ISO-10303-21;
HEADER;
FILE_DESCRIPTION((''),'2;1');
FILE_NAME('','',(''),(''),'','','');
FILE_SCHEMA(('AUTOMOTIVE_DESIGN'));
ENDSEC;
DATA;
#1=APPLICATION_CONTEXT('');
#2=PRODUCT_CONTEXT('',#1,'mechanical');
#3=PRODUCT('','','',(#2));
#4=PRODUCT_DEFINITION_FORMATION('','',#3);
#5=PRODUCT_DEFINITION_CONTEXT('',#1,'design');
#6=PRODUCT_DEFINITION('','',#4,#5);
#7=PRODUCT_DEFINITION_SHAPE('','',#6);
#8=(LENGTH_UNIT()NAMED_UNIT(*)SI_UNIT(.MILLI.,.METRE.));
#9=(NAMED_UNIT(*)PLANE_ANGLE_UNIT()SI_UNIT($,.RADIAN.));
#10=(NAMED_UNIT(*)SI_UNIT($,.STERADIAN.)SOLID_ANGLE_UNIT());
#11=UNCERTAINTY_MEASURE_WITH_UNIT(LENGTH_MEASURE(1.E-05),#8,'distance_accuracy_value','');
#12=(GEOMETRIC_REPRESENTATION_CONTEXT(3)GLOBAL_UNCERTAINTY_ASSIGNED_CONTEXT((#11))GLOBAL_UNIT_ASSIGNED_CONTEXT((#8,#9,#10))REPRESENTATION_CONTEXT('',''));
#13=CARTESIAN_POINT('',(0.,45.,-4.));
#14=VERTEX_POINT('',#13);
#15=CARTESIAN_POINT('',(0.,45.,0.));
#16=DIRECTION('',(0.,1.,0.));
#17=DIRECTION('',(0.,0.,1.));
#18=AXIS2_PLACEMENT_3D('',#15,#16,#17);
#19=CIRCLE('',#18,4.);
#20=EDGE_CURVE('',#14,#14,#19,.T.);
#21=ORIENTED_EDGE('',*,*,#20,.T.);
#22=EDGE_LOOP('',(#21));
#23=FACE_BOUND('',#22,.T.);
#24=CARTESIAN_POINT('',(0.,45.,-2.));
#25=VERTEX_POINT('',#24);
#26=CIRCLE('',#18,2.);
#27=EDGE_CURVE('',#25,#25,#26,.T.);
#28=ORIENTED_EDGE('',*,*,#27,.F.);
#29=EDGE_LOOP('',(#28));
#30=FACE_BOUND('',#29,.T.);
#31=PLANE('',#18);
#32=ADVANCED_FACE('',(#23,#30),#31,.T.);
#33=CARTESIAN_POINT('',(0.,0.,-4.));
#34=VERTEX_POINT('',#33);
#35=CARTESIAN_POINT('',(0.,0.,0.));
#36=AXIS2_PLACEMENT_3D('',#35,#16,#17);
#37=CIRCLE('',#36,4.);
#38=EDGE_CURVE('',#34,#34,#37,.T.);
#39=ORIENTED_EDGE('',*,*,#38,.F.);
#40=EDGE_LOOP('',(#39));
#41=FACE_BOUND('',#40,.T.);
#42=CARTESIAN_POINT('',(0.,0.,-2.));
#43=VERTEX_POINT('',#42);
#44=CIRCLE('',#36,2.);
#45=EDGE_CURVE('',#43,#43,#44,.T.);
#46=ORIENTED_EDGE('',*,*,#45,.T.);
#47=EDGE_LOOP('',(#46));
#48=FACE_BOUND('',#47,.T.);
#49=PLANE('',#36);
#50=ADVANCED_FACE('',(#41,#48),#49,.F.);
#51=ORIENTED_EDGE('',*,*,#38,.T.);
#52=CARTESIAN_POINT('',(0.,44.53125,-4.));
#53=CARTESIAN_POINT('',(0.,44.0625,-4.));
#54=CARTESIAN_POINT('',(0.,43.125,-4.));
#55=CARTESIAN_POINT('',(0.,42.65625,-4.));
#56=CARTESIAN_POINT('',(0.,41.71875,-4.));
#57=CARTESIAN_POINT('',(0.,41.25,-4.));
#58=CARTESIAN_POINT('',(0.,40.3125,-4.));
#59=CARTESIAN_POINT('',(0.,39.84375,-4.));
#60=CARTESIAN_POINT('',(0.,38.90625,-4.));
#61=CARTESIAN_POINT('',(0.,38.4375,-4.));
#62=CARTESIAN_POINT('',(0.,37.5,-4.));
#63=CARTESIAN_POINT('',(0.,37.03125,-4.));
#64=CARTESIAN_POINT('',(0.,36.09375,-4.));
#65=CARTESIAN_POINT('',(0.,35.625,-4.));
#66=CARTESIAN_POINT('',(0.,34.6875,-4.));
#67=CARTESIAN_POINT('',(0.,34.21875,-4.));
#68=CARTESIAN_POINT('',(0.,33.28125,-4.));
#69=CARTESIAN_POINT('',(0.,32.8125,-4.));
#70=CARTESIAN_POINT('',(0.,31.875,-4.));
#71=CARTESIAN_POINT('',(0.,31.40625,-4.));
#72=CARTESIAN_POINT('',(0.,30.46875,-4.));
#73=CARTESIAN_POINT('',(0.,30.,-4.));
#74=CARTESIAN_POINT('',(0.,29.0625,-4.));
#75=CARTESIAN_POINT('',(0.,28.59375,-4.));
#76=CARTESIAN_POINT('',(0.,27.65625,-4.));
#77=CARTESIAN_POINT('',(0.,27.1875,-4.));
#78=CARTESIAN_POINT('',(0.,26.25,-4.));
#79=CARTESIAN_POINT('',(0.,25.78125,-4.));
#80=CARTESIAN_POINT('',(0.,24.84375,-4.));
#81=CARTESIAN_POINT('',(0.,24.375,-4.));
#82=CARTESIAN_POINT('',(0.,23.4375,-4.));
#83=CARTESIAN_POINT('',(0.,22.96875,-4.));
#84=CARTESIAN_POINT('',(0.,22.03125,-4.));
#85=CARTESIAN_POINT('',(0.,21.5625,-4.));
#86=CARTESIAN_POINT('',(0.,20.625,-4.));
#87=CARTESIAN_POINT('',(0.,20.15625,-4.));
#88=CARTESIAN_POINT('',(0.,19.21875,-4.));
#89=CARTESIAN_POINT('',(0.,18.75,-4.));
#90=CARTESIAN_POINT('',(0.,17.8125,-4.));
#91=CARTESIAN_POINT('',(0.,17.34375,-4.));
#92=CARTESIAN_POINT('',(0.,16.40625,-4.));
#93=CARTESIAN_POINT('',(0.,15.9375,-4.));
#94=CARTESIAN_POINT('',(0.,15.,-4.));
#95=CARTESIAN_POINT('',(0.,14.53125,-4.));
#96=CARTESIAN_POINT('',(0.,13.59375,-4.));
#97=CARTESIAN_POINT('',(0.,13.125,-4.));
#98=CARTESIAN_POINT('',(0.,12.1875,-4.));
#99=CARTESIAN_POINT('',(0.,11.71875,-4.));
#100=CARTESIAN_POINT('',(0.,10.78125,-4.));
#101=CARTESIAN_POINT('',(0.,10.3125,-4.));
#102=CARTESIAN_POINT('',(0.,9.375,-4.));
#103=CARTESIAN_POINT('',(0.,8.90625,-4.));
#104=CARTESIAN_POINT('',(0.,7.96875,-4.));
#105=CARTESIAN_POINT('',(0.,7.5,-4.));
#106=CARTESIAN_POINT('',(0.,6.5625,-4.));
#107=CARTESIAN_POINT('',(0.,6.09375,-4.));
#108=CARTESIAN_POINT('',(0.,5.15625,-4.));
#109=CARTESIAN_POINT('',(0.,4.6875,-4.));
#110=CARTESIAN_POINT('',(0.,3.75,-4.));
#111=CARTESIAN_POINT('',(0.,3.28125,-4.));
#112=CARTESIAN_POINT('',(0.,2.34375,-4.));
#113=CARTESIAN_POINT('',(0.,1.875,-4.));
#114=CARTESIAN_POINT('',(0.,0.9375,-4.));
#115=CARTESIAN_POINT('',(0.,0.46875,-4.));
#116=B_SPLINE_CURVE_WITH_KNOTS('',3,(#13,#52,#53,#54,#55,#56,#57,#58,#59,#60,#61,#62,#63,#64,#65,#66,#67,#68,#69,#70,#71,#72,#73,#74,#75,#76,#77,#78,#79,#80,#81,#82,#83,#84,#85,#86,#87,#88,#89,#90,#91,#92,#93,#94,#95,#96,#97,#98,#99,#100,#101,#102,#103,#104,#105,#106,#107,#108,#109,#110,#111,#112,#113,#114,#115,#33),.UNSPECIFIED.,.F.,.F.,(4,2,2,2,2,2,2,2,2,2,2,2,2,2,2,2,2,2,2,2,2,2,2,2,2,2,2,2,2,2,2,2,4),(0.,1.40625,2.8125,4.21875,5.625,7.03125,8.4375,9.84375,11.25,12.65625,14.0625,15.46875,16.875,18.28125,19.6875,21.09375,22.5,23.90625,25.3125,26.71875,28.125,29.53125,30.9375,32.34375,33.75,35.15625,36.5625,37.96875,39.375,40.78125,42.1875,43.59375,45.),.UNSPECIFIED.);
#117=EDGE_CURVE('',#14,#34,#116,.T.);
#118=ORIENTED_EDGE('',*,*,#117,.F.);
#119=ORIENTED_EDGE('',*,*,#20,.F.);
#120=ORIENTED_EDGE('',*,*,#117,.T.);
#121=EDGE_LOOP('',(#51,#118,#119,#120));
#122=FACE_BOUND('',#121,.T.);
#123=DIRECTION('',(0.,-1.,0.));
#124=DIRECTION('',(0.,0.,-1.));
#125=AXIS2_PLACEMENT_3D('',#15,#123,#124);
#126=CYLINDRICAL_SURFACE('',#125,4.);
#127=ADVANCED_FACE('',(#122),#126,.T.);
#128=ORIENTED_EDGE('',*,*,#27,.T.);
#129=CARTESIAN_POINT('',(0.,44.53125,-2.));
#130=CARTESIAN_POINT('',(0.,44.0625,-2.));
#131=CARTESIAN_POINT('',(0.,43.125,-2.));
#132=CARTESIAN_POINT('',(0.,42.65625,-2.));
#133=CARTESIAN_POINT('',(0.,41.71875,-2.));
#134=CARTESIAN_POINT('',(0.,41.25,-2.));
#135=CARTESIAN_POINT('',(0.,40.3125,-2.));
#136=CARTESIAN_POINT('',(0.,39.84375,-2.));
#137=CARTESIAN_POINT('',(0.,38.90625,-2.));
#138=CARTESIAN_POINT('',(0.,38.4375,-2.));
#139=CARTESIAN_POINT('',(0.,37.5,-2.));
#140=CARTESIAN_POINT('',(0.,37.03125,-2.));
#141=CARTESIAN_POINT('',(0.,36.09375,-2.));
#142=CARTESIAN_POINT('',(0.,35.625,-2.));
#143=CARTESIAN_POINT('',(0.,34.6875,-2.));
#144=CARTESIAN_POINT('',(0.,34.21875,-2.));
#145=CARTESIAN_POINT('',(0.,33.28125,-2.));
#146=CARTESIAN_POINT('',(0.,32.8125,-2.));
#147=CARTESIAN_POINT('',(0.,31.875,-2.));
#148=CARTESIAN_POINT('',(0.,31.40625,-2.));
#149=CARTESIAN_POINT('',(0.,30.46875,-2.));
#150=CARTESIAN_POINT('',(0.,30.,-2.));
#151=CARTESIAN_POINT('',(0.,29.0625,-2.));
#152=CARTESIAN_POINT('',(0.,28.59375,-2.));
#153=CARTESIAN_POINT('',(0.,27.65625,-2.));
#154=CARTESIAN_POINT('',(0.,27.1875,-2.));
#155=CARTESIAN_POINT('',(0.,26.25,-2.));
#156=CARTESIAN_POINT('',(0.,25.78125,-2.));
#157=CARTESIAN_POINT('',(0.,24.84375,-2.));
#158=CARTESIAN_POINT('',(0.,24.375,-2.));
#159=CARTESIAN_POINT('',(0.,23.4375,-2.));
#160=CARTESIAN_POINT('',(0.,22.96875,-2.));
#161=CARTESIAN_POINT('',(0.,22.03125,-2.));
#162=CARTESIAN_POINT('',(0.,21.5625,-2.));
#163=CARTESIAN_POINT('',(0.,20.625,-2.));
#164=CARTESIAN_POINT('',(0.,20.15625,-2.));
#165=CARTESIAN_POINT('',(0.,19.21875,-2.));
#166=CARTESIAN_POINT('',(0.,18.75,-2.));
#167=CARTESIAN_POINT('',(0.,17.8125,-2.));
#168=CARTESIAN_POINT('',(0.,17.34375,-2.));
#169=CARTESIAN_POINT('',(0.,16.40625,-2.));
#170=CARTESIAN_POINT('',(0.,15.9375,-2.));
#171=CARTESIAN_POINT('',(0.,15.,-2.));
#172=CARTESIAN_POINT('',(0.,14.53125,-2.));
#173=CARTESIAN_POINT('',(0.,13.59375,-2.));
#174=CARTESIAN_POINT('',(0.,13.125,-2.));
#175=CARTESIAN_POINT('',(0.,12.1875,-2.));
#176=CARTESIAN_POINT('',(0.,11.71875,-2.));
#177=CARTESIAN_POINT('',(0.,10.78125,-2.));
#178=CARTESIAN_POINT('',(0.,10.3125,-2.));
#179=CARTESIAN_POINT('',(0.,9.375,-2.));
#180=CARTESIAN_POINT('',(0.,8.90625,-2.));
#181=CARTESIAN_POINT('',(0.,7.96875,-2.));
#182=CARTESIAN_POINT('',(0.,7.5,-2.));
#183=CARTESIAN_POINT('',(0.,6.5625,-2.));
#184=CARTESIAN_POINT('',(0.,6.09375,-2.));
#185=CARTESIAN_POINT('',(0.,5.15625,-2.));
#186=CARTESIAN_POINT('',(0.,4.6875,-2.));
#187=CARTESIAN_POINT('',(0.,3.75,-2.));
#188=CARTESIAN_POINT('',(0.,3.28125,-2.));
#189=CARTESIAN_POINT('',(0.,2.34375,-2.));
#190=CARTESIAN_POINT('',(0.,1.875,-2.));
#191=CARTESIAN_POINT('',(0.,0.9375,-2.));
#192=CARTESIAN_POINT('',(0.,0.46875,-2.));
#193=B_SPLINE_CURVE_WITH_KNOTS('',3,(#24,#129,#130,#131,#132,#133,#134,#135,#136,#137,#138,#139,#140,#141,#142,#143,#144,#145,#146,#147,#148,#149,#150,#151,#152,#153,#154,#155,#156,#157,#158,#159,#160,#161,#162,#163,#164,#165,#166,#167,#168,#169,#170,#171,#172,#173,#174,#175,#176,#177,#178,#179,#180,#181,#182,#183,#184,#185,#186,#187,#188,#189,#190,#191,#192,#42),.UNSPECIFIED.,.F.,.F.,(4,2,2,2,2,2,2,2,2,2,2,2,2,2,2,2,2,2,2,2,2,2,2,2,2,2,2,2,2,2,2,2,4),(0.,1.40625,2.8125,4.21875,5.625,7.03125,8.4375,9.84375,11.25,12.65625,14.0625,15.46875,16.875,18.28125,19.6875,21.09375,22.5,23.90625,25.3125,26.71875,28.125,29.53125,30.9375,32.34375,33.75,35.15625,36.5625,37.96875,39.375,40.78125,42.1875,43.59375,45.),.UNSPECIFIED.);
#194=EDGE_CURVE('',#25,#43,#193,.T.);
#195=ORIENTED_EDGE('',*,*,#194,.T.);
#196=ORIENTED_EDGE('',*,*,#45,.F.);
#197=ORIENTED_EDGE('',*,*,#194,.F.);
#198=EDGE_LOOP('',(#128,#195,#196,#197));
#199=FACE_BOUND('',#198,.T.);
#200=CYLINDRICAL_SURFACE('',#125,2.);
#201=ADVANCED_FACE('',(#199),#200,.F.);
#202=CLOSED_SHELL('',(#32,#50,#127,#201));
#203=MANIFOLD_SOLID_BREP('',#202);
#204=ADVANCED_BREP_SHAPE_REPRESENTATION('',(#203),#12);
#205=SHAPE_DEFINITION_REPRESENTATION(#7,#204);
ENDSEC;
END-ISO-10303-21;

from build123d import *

# Parameters (mm, degrees)
SKETCH1_R           = 4
SKETCH1_R_2         = 2
BOSS_EXTRUDE1_DEPTH = 45


with BuildPart() as part:
    # Sketch1 → Boss-Extrude1 (new body)
    with BuildSketch(Plane(origin=(0, 0, 0), x_dir=(1, 0, 0), z_dir=(0, 1, 0))):
        with Locations(Location((0, 0, 0), (0, 0, 90))):
            Circle(SKETCH1_R)
        with Locations(Location((0, 0, 0), (0, 0, 90))):
            Circle(SKETCH1_R_2, mode=Mode.SUBTRACT)
    extrude(amount=BOSS_EXTRUDE1_DEPTH)


solid = part.part
